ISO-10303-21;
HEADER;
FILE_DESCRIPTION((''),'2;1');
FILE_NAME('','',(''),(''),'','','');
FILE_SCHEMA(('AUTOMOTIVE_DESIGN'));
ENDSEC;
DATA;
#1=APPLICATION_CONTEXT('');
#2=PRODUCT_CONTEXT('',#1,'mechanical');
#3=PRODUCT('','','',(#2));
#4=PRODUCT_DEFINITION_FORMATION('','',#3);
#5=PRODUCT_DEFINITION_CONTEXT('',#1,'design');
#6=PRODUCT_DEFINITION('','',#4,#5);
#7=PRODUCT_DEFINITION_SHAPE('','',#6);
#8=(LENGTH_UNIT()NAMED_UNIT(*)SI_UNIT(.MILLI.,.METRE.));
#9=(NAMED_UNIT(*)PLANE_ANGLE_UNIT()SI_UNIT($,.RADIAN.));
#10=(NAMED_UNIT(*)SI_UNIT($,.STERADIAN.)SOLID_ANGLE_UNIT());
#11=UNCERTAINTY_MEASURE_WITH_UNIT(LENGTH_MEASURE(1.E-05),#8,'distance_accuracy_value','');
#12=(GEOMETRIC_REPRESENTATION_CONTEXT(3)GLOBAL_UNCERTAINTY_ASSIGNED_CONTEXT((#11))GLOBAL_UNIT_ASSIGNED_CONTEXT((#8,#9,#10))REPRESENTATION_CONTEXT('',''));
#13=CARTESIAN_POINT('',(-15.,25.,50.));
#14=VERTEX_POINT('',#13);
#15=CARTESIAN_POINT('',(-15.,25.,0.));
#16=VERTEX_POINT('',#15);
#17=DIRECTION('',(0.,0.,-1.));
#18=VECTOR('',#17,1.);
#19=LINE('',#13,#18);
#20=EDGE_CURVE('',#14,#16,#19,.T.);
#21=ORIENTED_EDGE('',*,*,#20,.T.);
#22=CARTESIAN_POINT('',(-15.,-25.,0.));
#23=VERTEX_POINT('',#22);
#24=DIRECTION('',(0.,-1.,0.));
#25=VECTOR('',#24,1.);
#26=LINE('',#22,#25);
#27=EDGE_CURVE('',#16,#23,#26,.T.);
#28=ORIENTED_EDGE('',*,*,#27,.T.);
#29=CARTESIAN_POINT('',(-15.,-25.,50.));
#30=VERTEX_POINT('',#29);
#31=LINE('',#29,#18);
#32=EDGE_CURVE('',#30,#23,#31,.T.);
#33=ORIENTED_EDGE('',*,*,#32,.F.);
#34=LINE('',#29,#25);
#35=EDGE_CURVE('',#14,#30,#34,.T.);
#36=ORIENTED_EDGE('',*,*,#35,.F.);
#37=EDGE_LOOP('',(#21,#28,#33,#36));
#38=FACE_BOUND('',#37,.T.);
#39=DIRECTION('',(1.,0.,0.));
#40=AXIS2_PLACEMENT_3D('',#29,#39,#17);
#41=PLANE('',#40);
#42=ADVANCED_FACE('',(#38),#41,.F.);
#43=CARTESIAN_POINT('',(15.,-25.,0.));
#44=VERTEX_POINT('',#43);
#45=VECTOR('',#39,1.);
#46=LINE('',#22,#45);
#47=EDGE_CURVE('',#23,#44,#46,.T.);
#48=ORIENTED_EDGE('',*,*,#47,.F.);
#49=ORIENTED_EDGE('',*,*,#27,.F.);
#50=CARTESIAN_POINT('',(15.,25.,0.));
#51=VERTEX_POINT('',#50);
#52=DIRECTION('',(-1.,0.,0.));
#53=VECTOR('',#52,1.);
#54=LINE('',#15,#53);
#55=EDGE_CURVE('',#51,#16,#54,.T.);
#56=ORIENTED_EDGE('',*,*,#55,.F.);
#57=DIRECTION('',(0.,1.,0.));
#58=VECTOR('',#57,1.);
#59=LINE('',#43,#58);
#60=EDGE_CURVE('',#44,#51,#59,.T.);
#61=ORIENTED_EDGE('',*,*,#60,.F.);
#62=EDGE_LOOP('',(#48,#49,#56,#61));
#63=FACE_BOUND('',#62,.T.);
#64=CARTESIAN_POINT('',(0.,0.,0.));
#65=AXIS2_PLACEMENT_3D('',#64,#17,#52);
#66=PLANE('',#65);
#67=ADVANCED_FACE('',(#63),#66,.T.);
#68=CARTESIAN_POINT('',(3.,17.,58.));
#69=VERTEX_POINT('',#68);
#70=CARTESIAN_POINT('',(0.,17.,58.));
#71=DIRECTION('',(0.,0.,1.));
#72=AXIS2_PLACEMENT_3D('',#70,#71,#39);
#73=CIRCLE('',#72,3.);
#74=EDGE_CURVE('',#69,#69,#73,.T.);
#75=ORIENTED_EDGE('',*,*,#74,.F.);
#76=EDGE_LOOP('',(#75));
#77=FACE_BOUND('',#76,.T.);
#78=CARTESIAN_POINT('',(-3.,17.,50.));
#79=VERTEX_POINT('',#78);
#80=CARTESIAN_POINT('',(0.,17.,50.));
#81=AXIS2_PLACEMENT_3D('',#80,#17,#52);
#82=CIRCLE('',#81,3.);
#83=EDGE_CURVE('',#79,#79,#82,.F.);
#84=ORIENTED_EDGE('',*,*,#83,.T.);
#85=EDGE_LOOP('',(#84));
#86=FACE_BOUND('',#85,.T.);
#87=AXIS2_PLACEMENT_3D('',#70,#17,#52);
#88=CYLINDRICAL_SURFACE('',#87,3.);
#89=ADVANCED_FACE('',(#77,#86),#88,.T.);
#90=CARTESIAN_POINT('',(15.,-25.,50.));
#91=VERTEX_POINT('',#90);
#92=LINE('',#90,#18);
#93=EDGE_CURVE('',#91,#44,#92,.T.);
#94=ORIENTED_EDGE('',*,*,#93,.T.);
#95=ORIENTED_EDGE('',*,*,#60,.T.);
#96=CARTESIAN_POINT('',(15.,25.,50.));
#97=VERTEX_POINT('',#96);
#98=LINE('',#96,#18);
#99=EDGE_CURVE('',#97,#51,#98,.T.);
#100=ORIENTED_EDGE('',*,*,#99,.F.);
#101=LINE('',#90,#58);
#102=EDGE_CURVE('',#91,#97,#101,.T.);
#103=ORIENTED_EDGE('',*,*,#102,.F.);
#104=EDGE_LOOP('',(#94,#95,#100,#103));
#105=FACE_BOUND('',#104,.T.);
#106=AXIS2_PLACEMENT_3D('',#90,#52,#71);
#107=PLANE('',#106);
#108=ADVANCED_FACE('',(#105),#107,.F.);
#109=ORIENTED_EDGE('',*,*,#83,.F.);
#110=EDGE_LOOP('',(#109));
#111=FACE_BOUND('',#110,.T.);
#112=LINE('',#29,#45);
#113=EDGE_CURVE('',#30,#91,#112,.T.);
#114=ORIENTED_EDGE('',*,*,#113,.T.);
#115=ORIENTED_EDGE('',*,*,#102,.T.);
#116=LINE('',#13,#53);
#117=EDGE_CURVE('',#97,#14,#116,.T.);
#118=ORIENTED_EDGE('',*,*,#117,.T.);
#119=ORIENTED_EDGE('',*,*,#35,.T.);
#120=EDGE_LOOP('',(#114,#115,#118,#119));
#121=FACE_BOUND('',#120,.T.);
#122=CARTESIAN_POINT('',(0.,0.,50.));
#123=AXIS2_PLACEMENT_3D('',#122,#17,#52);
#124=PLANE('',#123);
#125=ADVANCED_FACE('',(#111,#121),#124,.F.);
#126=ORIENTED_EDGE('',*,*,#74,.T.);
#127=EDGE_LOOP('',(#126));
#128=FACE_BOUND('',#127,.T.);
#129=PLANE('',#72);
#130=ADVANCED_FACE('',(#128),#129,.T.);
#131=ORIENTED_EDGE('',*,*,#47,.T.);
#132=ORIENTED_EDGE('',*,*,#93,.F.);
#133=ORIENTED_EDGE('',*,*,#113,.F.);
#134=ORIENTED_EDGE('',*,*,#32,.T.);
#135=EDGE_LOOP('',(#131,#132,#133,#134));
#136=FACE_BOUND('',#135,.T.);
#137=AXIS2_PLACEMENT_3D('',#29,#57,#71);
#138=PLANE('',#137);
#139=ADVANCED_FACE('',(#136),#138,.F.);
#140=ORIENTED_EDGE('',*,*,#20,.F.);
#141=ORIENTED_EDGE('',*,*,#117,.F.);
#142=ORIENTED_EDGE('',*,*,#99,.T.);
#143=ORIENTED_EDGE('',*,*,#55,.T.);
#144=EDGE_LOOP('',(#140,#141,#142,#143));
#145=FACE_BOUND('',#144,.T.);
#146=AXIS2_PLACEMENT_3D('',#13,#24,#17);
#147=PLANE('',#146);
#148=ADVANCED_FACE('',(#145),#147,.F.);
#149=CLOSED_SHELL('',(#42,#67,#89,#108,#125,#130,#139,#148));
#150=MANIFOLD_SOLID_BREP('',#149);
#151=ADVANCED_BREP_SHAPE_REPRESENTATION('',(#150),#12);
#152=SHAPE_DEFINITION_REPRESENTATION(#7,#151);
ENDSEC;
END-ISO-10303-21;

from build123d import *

# Parameters (mm, degrees)
SKETCH_1_W      = 30
SKETCH_1_H      = 50
EXTRUDE_1_DEPTH = 50
SKETCH_2_R      = 3
EXTRUDE_2_DEPTH = 8


with BuildPart() as part:
    # 草图1 → 凸台-拉伸1 (new body)
    with BuildSketch(Plane.XY):
        Rectangle(SKETCH_1_W, SKETCH_1_H)
    extrude(amount=EXTRUDE_1_DEPTH)

    # 草图2 → 凸台-拉伸2 (add)
    with BuildSketch(Plane.XY.offset(50)):
        with Locations(Location((0, 17, 0), (0, 0, 180))):
            Circle(SKETCH_2_R)
    extrude(amount=EXTRUDE_2_DEPTH)


solid = part.part
